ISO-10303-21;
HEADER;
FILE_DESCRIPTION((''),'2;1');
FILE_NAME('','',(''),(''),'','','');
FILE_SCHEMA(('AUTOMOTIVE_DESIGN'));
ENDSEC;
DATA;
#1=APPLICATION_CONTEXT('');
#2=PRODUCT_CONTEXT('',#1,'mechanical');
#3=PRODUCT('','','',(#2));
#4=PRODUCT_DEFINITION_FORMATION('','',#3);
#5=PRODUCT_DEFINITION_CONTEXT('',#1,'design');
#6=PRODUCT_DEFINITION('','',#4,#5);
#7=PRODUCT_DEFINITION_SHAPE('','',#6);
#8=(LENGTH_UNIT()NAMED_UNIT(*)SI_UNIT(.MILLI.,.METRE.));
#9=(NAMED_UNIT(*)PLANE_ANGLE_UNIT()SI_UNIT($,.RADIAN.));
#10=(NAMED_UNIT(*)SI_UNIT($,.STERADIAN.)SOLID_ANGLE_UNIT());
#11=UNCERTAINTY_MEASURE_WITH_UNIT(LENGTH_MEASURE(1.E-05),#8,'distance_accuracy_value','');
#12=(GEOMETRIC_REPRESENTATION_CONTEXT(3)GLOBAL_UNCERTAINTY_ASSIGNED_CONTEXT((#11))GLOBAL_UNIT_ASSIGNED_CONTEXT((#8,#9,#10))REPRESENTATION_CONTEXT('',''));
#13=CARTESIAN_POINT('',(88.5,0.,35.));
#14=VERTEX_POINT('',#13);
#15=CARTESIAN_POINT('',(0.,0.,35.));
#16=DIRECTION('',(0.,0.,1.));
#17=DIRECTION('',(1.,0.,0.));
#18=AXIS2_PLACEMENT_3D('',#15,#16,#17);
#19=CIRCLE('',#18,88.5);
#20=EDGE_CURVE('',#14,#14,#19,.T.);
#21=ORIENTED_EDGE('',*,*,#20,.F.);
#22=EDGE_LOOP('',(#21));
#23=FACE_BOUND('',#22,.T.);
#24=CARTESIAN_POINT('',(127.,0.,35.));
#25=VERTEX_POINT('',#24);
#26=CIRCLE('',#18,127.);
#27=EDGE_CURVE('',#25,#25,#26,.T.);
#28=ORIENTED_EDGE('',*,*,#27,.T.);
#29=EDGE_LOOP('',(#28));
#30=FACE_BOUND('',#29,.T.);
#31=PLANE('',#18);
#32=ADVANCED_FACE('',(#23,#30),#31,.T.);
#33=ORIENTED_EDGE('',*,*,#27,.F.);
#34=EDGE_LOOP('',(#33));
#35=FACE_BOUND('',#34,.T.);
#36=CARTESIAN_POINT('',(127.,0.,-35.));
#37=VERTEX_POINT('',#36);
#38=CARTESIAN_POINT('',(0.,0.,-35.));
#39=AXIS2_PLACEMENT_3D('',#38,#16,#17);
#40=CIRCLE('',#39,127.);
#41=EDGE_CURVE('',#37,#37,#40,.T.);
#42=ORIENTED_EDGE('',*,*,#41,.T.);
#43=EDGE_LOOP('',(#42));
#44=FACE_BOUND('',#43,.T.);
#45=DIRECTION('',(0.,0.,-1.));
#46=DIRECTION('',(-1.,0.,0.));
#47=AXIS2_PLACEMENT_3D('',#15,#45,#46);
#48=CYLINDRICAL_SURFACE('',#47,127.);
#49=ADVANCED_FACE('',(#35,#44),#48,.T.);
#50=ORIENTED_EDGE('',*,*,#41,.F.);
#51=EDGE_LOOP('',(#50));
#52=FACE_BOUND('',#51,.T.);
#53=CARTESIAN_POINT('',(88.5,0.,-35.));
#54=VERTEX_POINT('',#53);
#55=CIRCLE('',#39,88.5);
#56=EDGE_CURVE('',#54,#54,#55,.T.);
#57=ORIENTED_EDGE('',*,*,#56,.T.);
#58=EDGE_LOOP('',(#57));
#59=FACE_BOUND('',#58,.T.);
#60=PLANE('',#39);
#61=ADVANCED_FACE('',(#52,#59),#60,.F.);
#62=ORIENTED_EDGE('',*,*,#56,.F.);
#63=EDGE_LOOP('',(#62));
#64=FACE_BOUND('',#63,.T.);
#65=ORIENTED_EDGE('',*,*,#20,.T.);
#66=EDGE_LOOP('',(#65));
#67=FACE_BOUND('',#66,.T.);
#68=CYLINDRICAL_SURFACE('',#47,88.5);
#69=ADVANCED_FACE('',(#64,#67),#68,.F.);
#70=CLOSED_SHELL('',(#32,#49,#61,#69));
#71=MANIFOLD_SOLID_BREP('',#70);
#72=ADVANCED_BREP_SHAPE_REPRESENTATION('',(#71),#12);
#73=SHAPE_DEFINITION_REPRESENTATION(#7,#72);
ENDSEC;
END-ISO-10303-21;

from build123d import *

# Parameters (mm, degrees)
TIRE_REFERENCE_START = -35
SKETCH_1_R           = 127
SKETCH_1_R_2         = 88.5
TIRE_REFERENCE_DEPTH = 70


with BuildPart() as part:
    # Эскиз1 → Tire_reference (new body)
    with BuildSketch(Plane.XY.offset(TIRE_REFERENCE_START)):
        Circle(SKETCH_1_R)
        Circle(SKETCH_1_R_2, mode=Mode.SUBTRACT)
    extrude(amount=TIRE_REFERENCE_DEPTH)


solid = part.part
